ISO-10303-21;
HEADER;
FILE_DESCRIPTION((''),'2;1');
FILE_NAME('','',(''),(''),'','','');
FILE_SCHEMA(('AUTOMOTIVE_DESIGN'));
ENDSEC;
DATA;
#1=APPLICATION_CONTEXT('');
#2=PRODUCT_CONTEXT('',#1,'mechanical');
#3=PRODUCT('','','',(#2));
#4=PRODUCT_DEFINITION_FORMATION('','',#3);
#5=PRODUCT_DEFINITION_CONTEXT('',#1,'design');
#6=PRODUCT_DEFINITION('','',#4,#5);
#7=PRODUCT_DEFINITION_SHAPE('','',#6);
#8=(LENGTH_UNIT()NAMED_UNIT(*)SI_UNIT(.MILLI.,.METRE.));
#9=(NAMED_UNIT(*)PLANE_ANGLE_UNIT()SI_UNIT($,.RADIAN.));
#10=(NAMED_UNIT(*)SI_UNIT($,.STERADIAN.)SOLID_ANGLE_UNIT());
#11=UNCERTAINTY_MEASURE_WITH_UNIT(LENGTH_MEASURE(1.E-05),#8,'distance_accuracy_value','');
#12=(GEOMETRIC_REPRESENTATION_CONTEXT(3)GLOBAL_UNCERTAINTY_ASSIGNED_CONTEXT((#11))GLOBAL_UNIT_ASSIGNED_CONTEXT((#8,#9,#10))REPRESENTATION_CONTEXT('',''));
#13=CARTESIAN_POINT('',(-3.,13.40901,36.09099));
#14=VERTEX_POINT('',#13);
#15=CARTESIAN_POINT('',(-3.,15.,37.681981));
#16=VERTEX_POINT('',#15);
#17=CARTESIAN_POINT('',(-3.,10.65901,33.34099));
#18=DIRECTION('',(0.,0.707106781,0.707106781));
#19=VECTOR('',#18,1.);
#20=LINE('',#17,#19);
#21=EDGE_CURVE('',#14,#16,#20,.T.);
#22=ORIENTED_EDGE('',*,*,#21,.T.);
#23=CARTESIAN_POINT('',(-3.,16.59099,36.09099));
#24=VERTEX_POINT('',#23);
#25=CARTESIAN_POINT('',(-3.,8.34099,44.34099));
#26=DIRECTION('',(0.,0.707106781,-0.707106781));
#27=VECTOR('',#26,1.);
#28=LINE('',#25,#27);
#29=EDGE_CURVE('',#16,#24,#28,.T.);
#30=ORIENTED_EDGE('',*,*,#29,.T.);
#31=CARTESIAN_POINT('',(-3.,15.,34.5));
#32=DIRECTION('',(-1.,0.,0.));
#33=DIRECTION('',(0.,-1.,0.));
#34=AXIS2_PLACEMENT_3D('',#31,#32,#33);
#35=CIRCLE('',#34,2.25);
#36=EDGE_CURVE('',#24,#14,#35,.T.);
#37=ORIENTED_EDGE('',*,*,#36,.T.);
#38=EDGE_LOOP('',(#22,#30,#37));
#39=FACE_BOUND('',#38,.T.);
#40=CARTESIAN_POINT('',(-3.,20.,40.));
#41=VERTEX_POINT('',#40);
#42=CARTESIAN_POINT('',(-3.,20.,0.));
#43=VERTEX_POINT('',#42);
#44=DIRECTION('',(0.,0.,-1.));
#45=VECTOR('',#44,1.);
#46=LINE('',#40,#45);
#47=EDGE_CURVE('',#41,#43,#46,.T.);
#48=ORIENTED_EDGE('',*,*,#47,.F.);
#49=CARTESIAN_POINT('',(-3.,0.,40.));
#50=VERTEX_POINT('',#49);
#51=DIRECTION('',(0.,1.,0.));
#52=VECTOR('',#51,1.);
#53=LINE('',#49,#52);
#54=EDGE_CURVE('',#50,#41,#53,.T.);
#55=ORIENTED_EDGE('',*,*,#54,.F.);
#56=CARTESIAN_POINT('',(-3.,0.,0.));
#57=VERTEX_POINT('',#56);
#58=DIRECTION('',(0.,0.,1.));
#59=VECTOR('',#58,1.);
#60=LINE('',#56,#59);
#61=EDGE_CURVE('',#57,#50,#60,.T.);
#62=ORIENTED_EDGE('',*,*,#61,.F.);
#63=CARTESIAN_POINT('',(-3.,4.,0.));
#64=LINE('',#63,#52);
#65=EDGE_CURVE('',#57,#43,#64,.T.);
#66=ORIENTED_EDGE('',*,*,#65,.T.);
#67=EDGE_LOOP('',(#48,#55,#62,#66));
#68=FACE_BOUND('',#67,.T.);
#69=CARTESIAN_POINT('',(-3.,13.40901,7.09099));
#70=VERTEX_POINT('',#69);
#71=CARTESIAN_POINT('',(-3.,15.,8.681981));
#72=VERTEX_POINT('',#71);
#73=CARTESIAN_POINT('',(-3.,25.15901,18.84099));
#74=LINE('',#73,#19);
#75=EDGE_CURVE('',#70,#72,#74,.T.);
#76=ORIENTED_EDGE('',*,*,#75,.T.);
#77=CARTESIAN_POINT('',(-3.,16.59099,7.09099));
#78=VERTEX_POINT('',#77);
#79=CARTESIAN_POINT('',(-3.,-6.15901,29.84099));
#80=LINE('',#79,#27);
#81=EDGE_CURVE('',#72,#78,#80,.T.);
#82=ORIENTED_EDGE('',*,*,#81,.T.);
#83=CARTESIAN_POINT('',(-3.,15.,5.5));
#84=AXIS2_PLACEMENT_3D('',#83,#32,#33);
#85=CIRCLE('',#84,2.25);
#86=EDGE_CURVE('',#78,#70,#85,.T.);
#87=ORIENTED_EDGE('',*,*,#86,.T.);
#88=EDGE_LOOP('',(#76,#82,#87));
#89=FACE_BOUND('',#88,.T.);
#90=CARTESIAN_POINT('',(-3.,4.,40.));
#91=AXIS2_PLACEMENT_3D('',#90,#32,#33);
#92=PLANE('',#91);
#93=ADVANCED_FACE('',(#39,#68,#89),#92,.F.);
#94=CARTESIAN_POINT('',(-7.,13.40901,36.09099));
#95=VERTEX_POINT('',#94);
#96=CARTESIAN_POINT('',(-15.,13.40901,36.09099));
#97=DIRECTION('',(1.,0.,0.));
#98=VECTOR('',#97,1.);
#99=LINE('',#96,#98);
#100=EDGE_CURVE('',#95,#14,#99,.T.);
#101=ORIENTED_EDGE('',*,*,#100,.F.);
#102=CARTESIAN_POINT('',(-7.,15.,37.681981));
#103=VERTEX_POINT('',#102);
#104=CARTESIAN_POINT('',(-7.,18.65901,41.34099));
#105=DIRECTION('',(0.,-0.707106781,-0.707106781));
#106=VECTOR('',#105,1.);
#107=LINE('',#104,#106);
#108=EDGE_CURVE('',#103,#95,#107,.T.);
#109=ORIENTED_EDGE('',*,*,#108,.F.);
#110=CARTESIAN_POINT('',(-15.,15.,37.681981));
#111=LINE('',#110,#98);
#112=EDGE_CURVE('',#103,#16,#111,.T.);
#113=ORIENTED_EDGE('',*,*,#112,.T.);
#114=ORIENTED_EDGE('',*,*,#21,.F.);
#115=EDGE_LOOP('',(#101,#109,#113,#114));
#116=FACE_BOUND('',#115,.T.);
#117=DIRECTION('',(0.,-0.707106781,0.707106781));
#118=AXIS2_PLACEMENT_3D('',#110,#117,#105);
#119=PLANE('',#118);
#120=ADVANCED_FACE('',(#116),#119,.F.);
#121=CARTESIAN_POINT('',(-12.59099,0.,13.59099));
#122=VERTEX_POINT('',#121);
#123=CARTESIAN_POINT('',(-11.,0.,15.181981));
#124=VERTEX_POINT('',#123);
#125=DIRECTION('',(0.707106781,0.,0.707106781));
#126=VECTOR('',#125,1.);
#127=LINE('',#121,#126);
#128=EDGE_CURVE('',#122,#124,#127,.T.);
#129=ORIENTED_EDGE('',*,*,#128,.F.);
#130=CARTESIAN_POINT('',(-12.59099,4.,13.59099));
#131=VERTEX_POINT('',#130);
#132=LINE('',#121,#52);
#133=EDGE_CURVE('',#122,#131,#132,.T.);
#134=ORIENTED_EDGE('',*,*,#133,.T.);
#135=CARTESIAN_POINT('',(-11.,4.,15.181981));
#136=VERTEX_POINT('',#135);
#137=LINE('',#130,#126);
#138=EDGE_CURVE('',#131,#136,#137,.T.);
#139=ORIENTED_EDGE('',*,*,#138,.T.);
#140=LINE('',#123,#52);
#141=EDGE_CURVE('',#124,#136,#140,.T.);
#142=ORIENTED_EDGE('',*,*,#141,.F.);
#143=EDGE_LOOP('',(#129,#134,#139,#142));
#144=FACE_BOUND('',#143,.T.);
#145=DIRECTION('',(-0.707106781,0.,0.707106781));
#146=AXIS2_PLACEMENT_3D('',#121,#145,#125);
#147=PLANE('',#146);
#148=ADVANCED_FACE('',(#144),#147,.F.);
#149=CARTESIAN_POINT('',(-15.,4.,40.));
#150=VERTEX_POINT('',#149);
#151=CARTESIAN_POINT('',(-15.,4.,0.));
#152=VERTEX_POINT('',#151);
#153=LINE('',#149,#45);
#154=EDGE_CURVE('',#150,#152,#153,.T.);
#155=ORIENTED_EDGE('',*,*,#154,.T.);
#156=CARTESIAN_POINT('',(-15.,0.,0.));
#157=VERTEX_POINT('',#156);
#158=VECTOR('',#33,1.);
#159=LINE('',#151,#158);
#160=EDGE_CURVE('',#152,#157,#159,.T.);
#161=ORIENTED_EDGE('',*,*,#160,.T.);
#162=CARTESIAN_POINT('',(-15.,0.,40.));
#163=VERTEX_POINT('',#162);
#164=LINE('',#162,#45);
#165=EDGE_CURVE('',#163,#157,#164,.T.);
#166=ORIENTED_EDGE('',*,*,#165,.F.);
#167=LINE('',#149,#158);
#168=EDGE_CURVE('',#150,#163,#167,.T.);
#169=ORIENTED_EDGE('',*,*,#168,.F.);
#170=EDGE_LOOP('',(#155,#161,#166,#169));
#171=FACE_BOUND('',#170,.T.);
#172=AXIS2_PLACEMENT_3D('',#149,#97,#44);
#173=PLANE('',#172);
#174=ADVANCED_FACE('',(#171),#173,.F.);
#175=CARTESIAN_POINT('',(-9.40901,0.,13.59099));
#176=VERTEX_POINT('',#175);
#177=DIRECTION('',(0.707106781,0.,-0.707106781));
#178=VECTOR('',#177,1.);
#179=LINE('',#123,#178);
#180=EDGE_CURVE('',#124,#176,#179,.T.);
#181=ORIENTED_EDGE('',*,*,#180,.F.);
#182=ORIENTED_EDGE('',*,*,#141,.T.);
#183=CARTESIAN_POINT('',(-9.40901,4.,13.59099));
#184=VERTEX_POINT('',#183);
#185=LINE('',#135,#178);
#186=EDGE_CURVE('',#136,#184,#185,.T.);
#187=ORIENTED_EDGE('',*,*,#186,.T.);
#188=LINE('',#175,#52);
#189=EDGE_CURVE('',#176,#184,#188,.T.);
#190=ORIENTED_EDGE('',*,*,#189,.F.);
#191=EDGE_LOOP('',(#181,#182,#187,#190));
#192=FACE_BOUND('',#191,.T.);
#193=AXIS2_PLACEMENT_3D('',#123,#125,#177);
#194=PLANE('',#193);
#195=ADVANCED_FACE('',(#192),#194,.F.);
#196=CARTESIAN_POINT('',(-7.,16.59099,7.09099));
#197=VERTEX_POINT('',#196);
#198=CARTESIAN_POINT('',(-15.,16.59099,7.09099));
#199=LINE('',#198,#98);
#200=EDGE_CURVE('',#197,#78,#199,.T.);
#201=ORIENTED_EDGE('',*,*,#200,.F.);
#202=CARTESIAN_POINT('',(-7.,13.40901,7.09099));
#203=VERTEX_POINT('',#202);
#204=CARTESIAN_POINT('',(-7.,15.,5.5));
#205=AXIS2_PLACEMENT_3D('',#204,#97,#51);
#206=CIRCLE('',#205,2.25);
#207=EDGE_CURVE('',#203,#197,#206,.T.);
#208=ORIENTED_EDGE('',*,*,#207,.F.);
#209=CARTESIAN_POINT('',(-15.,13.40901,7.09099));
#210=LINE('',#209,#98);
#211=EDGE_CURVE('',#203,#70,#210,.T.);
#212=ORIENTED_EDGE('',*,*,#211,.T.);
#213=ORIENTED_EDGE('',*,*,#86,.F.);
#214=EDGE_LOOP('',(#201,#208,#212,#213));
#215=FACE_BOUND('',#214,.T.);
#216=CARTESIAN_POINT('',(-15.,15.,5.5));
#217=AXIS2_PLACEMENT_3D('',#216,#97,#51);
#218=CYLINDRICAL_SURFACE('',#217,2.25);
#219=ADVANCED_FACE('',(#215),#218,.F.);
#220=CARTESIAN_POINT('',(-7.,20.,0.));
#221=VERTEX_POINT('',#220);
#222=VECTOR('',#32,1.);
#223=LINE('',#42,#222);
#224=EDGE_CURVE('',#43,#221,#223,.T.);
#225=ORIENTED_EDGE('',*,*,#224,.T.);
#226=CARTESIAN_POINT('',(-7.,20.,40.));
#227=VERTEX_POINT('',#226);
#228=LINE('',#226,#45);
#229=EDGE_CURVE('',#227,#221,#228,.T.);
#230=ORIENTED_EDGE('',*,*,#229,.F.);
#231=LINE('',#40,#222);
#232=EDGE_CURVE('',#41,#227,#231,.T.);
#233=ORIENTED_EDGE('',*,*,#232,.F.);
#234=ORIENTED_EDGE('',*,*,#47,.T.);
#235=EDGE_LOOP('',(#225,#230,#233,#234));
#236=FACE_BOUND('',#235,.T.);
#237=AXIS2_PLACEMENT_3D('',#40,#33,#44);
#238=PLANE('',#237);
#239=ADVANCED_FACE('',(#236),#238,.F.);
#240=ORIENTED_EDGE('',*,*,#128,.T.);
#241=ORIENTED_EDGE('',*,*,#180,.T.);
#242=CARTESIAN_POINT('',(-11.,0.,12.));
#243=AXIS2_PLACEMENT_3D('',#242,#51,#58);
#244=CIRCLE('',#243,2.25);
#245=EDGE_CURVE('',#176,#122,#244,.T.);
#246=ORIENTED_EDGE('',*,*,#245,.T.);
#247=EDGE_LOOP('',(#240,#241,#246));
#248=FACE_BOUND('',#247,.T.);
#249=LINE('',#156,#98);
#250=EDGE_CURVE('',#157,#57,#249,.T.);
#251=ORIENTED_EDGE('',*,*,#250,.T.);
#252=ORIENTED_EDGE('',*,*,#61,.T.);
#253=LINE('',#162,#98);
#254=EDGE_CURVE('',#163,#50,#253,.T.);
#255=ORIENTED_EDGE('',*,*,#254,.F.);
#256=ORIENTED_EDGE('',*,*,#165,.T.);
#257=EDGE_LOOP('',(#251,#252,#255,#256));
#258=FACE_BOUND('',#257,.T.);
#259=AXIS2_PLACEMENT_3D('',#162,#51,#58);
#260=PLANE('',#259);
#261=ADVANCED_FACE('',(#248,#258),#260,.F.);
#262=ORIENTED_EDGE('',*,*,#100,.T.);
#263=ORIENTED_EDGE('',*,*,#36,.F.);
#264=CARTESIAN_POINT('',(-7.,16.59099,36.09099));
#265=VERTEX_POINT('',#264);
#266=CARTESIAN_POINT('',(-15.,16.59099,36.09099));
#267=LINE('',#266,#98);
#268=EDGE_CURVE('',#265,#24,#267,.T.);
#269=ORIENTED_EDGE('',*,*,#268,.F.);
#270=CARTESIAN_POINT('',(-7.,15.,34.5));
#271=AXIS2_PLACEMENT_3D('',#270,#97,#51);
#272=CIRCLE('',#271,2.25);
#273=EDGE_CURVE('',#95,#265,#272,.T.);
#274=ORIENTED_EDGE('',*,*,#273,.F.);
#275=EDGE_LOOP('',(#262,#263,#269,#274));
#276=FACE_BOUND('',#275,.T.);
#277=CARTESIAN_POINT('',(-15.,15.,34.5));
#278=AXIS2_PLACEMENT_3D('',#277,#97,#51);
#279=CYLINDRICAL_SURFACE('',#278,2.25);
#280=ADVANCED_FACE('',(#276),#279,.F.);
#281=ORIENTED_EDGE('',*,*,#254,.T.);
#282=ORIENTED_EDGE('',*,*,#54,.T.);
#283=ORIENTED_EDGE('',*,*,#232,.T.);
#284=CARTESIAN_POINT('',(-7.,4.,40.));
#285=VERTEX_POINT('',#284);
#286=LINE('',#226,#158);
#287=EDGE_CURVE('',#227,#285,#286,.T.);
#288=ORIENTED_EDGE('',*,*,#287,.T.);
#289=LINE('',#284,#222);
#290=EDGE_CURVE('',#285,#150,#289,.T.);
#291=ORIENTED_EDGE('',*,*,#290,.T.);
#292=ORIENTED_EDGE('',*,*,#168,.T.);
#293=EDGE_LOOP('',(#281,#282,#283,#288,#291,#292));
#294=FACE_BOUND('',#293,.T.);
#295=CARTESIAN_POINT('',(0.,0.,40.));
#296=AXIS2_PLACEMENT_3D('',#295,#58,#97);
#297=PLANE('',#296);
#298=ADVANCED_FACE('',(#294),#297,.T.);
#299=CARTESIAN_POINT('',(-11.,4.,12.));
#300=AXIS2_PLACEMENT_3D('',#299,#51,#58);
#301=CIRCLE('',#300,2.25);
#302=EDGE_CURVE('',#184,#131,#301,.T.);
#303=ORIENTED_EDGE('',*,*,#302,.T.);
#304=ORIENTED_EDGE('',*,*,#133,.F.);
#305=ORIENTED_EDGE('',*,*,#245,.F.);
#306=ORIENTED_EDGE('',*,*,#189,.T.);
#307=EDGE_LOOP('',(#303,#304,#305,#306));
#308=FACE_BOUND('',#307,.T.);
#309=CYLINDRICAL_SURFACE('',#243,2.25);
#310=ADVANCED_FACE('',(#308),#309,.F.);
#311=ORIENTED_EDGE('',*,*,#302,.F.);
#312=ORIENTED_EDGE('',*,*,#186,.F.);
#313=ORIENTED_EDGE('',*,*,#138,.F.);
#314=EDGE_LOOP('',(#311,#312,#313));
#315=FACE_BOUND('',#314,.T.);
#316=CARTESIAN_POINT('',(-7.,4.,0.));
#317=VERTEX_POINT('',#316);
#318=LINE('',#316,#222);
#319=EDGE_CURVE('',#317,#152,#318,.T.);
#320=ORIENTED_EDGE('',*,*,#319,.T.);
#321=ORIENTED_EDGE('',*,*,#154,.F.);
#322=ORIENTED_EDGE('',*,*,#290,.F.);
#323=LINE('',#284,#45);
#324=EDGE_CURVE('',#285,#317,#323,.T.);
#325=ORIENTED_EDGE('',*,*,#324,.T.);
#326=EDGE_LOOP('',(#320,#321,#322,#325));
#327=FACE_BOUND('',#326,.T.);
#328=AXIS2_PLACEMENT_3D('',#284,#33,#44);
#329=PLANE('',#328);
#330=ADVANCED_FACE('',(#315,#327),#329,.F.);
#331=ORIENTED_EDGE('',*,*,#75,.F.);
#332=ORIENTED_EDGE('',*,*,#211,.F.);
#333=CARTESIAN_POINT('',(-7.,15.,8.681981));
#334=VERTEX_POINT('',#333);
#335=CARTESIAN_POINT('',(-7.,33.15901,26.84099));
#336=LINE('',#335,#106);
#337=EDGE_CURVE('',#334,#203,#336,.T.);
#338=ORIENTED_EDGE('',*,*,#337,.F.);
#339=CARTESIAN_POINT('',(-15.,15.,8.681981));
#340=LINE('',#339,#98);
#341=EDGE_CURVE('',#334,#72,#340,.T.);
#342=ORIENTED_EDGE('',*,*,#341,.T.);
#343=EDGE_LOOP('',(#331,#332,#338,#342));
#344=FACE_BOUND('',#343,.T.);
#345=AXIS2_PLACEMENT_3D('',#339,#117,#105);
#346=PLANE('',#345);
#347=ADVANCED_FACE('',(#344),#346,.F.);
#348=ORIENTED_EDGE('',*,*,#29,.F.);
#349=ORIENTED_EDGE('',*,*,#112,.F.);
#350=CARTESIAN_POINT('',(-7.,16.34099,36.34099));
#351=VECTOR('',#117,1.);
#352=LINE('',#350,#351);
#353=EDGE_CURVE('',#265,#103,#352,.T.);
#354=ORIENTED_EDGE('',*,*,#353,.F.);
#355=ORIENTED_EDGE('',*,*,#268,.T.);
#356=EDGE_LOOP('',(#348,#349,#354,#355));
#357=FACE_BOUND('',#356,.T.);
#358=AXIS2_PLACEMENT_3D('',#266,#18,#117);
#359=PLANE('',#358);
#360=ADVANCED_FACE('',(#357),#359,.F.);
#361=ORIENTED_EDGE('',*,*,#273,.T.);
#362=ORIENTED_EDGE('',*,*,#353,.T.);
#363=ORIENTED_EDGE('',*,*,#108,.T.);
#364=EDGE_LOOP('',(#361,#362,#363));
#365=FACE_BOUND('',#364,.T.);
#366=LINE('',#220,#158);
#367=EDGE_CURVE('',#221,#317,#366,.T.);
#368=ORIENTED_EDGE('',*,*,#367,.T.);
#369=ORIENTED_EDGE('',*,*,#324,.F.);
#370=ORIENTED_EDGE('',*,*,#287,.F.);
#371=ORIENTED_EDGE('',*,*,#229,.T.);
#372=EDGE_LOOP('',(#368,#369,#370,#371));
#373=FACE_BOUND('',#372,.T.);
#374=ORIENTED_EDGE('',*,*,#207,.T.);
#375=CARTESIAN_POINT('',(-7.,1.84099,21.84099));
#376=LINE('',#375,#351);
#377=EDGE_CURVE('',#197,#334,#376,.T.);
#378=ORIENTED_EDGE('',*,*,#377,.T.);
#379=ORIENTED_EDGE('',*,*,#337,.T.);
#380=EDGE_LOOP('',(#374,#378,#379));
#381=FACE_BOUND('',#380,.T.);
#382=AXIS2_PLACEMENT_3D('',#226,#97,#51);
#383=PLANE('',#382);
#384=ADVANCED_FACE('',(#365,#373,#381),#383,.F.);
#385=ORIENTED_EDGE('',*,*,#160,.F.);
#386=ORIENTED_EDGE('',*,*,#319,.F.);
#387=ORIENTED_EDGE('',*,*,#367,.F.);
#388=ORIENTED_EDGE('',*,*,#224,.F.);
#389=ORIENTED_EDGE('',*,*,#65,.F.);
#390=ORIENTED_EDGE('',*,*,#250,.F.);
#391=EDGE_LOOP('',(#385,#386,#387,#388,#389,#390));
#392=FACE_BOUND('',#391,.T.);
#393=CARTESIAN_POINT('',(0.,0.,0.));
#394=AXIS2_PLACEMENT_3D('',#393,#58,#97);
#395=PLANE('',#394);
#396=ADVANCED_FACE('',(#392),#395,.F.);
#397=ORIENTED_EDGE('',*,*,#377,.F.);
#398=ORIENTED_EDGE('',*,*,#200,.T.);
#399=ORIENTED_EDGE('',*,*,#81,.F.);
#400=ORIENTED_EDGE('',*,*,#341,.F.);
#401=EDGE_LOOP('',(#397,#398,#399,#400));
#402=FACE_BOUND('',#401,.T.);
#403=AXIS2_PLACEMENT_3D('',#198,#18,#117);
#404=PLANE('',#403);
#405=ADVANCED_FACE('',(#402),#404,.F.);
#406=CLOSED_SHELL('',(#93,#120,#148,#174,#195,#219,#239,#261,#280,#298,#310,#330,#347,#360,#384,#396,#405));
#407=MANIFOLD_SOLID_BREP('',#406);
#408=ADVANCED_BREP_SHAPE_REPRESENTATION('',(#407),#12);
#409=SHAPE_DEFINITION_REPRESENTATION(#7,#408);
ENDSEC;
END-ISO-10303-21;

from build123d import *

# Parameters (mm, degrees)
BOSS_EXTRUDE1_DEPTH = 40
CUT_EXTRUDE1_DEPTH  = 46.617978912
CUT_EXTRUDE2_DEPTH  = 50.839743178
SKETCH8_W           = 6
SKETCH8_H           = 40
CUT_EXTRUDE4_DEPTH  = 46.617978912


with BuildPart() as part:
    # Sketch1 → Boss-Extrude1 (new body)
    with BuildSketch(Plane.XY):
        Polygon((-15, 0), (15, 0), (15, 4), (7, 4), (7, 20), (3, 20), (3, 4), (-3, 4), (-3, 20), (-7, 20), (-7, 4), (-15, 4), align=None)
    extrude(amount=BOSS_EXTRUDE1_DEPTH)

    # Sketch2 → Cut-Extrude1 (cut, through all)
    with BuildSketch(Plane(origin=(0, 4, 0), x_dir=(1, 0, 0), z_dir=(0, 1, 0))):
        with BuildLine():
            Line((-12.590990258, -13.590990258), (-11, -15.181980515))
            Line((-11, -15.181980515), (-9.409009742, -13.590990258))
            ThreePointArc((-9.409009742, -13.590990258), (-11, -9.75), (-12.590990258, -13.590990258))
        make_face()
        with BuildLine():
            Line((9.409009742, -13.590990258), (11, -15.181980515))
            Line((11, -15.181980515), (12.590990258, -13.590990258))
            ThreePointArc((12.590990258, -13.590990258), (11, -9.75), (9.409009742, -13.590990258))
        make_face()
    extrude(amount=-CUT_EXTRUDE1_DEPTH, mode=Mode.SUBTRACT)

    # Sketch3 → Cut-Extrude2 (cut, through all)
    with BuildSketch(Plane(origin=(7, 0, 0), x_dir=(0, 0, -1), z_dir=(1, 0, 0))):
        with BuildLine():
            Line((-7.090990258, 16.590990258), (-8.681980515, 15))
            Line((-8.681980515, 15), (-7.090990258, 13.409009742))
            ThreePointArc((-7.090990258, 13.409009742), (-3.25, 15), (-7.090990258, 16.590990258))
        make_face()
        with BuildLine():
            Line((-36.090990258, 16.590990258), (-37.681980515, 15))
            Line((-37.681980515, 15), (-36.090990258, 13.409009742))
            ThreePointArc((-36.090990258, 13.409009742), (-32.25, 15), (-36.090990258, 16.590990258))
        make_face()
    extrude(amount=-CUT_EXTRUDE2_DEPTH, mode=Mode.SUBTRACT)

    # Sketch8 → Cut-Extrude4 (cut, through all)
    with BuildSketch(Plane(origin=(0, 4, 0), x_dir=(1, 0, 0), z_dir=(0, 1, 0))):
        with Locations((0, -20)):
            Rectangle(SKETCH8_W, SKETCH8_H)
    extrude(amount=-CUT_EXTRUDE4_DEPTH, mode=Mode.SUBTRACT)


with BuildPart() as cut_extrude4_piece_1:
    # of the separate pieces the step leaves, piece 1, a body of its own (cut_extrude4_pieces)
    add(part.part.solids().sort_by_distance((-15, 0, 0))[0])


with BuildPart() as cut_extrude4_piece_2:
    # of the separate pieces the step leaves, piece 2, a body of its own (cut_extrude4_pieces)
    add(part.part.solids().sort_by_distance((3, 0, 0))[0])


solid = cut_extrude4_piece_1.part
